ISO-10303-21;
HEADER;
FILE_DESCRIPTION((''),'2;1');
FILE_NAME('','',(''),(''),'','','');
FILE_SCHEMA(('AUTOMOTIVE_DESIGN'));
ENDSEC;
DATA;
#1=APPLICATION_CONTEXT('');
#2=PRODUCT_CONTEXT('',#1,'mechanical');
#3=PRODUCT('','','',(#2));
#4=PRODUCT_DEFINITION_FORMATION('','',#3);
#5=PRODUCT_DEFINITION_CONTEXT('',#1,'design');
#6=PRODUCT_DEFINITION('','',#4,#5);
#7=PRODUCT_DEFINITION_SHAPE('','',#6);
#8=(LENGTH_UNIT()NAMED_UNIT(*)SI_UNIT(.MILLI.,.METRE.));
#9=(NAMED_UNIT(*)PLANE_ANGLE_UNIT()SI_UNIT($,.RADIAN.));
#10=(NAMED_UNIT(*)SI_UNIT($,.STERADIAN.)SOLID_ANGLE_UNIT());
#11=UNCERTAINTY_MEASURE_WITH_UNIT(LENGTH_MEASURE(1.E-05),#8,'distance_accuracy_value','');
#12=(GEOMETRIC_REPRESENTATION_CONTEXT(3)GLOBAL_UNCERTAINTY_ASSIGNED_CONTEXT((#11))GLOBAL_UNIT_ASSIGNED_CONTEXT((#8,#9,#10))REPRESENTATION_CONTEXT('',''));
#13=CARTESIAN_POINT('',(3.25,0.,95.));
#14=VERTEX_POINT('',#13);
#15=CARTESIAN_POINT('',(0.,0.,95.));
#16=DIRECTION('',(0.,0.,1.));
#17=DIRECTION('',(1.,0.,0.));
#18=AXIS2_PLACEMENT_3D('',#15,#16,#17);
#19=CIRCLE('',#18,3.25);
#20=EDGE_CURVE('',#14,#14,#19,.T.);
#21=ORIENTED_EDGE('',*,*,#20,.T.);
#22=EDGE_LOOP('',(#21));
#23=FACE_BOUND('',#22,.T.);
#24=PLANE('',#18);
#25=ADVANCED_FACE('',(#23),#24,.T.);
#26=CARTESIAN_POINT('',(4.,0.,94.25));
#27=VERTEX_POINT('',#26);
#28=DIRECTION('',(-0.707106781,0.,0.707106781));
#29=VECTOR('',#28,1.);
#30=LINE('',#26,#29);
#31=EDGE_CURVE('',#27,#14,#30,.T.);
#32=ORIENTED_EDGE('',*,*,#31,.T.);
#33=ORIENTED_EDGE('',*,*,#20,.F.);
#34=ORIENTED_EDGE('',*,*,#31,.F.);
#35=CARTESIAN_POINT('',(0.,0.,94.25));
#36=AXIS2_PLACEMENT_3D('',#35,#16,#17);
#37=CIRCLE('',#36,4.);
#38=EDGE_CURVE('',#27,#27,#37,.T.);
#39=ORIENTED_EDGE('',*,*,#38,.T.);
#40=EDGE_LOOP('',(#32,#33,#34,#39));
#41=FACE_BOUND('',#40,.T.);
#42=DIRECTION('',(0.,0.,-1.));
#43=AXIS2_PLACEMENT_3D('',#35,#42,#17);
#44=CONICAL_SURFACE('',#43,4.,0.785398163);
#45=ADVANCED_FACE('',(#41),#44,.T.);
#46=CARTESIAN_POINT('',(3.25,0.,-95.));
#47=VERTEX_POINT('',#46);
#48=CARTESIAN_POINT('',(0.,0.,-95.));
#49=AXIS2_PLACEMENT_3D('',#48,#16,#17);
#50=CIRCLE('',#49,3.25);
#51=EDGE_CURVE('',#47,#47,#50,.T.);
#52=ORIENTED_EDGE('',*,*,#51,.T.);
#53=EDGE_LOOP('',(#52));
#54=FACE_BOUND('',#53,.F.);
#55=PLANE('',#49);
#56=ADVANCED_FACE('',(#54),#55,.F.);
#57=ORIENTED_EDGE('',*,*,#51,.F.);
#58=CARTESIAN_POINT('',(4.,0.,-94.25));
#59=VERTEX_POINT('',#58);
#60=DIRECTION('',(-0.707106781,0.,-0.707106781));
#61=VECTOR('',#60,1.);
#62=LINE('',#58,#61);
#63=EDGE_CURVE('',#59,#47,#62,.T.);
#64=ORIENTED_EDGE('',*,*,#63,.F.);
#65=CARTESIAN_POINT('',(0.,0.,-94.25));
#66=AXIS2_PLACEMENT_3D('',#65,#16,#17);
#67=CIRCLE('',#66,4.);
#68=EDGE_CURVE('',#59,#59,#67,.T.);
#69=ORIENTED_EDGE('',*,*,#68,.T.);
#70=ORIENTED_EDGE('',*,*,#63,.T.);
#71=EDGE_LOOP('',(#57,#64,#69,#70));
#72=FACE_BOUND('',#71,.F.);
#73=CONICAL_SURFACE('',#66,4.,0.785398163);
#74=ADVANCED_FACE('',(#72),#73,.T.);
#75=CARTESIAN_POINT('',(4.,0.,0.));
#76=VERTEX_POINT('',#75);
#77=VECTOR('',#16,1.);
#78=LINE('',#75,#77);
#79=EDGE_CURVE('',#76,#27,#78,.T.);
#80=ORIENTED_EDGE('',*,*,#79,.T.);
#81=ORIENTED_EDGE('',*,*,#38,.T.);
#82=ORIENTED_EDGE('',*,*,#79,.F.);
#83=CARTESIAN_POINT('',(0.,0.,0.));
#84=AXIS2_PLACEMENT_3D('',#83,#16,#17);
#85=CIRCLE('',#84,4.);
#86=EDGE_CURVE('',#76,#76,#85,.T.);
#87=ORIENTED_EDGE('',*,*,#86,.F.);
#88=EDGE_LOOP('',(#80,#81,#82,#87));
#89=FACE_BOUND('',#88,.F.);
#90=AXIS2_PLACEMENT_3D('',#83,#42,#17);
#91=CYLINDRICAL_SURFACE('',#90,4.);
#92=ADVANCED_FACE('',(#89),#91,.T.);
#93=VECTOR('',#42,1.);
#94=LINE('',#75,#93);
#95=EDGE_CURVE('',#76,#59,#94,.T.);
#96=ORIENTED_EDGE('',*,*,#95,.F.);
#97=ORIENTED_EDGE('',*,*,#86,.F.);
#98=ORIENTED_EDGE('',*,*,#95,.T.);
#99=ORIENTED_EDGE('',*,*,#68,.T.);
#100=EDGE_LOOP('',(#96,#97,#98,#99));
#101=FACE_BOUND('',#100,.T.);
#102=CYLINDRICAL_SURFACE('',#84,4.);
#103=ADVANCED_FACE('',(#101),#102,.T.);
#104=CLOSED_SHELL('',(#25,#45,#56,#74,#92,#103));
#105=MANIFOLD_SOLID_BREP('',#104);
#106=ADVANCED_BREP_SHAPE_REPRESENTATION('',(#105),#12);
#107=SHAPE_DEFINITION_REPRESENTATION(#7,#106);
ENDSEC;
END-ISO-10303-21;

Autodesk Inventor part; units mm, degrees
ref_plane "YZ Plane" through (0, 0, 0) normal (1, 0, 0) x (0, 1, 0)
ref_plane "XZ Plane" through (0, 0, 0) normal (0, 1, 0) x (-1, 0, 0)
ref_plane "XY Plane" through (0, 0, 0) normal (0, 0, 1) x (1, 0, 0)
sketch "Skizze3" plane through (0, 0, 0) normal (0, 0, 1) x (1, 0, 0)
  circle A0 centre (0, 0) radius 4
  dimension "d15" = 8
extrude "Grundkörper" add sketch "Skizze3" along normal mid plane 190
thread "M8" size "M8x1.25" class "6g" standard "ANSI Metric M Profile" full length
chamfer "Fase" distance 0.75 angle 45 2 edges at (-4, 0, 95) (-4, 0, -95)
properties part number "200-60-DIFFERENTIAL-BAR-05" material "Edelstahl"
